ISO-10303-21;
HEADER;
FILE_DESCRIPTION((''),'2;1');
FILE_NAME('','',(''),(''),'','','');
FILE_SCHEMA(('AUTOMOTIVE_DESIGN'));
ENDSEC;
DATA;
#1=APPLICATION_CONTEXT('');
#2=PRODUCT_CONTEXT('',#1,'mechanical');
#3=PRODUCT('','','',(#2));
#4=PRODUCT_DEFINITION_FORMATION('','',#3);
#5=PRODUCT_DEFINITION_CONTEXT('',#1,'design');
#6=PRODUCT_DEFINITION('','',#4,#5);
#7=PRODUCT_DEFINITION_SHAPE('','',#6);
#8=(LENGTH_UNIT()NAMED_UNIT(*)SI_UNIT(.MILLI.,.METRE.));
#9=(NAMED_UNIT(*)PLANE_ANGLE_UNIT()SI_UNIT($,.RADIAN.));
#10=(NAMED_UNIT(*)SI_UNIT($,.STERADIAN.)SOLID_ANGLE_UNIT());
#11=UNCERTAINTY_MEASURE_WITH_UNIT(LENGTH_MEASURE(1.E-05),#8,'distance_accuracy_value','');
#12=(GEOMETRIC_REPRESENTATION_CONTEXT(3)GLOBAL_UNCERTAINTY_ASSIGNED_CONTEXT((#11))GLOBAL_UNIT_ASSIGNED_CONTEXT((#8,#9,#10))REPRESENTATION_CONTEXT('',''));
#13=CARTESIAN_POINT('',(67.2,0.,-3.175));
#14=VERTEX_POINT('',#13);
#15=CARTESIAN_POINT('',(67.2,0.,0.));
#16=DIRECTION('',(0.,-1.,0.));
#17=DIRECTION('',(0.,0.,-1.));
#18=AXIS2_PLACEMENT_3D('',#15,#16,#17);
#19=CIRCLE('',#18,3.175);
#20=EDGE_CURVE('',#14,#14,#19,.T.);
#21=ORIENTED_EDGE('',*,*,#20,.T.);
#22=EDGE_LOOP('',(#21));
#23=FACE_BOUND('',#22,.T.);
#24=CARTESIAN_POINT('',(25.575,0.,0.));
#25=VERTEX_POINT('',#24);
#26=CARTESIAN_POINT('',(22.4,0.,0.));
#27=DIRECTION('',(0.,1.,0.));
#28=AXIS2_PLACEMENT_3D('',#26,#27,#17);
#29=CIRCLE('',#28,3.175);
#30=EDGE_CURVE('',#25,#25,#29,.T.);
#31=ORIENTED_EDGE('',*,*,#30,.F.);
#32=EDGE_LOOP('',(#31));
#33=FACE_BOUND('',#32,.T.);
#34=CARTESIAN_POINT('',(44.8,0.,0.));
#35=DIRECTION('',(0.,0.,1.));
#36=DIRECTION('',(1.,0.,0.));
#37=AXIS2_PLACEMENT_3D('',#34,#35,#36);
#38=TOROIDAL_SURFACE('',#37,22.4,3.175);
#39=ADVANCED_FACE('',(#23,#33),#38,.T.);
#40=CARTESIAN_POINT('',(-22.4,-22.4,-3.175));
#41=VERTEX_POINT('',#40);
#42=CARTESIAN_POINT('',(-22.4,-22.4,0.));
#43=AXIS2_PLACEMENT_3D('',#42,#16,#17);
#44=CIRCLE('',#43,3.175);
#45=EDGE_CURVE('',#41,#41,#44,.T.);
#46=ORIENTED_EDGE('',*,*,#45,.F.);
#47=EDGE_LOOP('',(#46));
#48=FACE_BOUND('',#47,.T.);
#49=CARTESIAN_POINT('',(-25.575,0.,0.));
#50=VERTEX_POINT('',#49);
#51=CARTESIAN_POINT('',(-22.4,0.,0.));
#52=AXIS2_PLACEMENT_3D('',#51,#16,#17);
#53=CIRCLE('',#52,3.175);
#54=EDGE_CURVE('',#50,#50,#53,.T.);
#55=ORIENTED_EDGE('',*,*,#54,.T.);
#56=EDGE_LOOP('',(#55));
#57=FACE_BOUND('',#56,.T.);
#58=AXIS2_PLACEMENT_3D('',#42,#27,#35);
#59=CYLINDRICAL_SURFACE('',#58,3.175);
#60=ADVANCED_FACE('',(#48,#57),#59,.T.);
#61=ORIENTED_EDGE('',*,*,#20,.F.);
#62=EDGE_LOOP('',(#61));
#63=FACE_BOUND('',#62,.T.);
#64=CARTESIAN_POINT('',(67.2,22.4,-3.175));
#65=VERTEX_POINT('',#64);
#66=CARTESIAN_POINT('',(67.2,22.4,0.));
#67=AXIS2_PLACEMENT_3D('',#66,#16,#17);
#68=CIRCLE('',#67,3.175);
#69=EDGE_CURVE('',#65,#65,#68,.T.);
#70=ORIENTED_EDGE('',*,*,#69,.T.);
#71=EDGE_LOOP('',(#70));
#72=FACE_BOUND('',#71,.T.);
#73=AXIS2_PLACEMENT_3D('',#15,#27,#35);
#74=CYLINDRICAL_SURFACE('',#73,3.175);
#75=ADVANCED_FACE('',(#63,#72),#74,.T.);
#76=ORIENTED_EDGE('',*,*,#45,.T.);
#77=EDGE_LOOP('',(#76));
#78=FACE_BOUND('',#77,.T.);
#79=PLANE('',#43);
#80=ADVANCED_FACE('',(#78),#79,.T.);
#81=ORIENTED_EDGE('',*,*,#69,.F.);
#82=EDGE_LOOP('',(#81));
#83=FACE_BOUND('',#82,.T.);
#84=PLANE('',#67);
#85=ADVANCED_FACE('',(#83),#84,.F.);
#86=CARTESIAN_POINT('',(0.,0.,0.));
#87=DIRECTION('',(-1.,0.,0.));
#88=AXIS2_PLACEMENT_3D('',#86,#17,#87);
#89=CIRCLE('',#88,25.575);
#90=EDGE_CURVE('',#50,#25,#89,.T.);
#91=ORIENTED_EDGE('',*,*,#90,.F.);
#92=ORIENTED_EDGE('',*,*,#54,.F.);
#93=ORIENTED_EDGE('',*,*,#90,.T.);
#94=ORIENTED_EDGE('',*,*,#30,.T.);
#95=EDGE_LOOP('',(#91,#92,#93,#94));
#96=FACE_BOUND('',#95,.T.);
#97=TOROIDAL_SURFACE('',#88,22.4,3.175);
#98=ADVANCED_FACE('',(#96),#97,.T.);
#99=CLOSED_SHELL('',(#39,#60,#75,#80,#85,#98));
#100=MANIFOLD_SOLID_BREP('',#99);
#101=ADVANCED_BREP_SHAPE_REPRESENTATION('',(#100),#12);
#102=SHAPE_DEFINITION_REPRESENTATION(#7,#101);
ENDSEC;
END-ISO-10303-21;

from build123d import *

# Parameters (mm, degrees)
BALAYAGE1_PROFILE_R = 3.175


with BuildPart() as part:
    # Balayage1: sweep along a path in Esquisse1
    with BuildLine(Plane.XY) as balayage1_path:
        Line((-22.4, -22.4), (-22.4, 0))
        ThreePointArc((-22.4, 0), (0, 22.4), (22.4, 0))
        ThreePointArc((22.4, 0), (44.8, -22.4), (67.2, 0))
        Line((67.2, 0), (67.2, 22.4))
    # Balayage1 profile (on start of the path) → Balayage1 (sweep)
    with BuildSketch(Plane(origin=(-22.4, -22.4, 0), x_dir=(0, 0, 1), z_dir=(0, 1, 0))):
        Circle(BALAYAGE1_PROFILE_R)
    sweep(path=balayage1_path.line)


solid = part.part
